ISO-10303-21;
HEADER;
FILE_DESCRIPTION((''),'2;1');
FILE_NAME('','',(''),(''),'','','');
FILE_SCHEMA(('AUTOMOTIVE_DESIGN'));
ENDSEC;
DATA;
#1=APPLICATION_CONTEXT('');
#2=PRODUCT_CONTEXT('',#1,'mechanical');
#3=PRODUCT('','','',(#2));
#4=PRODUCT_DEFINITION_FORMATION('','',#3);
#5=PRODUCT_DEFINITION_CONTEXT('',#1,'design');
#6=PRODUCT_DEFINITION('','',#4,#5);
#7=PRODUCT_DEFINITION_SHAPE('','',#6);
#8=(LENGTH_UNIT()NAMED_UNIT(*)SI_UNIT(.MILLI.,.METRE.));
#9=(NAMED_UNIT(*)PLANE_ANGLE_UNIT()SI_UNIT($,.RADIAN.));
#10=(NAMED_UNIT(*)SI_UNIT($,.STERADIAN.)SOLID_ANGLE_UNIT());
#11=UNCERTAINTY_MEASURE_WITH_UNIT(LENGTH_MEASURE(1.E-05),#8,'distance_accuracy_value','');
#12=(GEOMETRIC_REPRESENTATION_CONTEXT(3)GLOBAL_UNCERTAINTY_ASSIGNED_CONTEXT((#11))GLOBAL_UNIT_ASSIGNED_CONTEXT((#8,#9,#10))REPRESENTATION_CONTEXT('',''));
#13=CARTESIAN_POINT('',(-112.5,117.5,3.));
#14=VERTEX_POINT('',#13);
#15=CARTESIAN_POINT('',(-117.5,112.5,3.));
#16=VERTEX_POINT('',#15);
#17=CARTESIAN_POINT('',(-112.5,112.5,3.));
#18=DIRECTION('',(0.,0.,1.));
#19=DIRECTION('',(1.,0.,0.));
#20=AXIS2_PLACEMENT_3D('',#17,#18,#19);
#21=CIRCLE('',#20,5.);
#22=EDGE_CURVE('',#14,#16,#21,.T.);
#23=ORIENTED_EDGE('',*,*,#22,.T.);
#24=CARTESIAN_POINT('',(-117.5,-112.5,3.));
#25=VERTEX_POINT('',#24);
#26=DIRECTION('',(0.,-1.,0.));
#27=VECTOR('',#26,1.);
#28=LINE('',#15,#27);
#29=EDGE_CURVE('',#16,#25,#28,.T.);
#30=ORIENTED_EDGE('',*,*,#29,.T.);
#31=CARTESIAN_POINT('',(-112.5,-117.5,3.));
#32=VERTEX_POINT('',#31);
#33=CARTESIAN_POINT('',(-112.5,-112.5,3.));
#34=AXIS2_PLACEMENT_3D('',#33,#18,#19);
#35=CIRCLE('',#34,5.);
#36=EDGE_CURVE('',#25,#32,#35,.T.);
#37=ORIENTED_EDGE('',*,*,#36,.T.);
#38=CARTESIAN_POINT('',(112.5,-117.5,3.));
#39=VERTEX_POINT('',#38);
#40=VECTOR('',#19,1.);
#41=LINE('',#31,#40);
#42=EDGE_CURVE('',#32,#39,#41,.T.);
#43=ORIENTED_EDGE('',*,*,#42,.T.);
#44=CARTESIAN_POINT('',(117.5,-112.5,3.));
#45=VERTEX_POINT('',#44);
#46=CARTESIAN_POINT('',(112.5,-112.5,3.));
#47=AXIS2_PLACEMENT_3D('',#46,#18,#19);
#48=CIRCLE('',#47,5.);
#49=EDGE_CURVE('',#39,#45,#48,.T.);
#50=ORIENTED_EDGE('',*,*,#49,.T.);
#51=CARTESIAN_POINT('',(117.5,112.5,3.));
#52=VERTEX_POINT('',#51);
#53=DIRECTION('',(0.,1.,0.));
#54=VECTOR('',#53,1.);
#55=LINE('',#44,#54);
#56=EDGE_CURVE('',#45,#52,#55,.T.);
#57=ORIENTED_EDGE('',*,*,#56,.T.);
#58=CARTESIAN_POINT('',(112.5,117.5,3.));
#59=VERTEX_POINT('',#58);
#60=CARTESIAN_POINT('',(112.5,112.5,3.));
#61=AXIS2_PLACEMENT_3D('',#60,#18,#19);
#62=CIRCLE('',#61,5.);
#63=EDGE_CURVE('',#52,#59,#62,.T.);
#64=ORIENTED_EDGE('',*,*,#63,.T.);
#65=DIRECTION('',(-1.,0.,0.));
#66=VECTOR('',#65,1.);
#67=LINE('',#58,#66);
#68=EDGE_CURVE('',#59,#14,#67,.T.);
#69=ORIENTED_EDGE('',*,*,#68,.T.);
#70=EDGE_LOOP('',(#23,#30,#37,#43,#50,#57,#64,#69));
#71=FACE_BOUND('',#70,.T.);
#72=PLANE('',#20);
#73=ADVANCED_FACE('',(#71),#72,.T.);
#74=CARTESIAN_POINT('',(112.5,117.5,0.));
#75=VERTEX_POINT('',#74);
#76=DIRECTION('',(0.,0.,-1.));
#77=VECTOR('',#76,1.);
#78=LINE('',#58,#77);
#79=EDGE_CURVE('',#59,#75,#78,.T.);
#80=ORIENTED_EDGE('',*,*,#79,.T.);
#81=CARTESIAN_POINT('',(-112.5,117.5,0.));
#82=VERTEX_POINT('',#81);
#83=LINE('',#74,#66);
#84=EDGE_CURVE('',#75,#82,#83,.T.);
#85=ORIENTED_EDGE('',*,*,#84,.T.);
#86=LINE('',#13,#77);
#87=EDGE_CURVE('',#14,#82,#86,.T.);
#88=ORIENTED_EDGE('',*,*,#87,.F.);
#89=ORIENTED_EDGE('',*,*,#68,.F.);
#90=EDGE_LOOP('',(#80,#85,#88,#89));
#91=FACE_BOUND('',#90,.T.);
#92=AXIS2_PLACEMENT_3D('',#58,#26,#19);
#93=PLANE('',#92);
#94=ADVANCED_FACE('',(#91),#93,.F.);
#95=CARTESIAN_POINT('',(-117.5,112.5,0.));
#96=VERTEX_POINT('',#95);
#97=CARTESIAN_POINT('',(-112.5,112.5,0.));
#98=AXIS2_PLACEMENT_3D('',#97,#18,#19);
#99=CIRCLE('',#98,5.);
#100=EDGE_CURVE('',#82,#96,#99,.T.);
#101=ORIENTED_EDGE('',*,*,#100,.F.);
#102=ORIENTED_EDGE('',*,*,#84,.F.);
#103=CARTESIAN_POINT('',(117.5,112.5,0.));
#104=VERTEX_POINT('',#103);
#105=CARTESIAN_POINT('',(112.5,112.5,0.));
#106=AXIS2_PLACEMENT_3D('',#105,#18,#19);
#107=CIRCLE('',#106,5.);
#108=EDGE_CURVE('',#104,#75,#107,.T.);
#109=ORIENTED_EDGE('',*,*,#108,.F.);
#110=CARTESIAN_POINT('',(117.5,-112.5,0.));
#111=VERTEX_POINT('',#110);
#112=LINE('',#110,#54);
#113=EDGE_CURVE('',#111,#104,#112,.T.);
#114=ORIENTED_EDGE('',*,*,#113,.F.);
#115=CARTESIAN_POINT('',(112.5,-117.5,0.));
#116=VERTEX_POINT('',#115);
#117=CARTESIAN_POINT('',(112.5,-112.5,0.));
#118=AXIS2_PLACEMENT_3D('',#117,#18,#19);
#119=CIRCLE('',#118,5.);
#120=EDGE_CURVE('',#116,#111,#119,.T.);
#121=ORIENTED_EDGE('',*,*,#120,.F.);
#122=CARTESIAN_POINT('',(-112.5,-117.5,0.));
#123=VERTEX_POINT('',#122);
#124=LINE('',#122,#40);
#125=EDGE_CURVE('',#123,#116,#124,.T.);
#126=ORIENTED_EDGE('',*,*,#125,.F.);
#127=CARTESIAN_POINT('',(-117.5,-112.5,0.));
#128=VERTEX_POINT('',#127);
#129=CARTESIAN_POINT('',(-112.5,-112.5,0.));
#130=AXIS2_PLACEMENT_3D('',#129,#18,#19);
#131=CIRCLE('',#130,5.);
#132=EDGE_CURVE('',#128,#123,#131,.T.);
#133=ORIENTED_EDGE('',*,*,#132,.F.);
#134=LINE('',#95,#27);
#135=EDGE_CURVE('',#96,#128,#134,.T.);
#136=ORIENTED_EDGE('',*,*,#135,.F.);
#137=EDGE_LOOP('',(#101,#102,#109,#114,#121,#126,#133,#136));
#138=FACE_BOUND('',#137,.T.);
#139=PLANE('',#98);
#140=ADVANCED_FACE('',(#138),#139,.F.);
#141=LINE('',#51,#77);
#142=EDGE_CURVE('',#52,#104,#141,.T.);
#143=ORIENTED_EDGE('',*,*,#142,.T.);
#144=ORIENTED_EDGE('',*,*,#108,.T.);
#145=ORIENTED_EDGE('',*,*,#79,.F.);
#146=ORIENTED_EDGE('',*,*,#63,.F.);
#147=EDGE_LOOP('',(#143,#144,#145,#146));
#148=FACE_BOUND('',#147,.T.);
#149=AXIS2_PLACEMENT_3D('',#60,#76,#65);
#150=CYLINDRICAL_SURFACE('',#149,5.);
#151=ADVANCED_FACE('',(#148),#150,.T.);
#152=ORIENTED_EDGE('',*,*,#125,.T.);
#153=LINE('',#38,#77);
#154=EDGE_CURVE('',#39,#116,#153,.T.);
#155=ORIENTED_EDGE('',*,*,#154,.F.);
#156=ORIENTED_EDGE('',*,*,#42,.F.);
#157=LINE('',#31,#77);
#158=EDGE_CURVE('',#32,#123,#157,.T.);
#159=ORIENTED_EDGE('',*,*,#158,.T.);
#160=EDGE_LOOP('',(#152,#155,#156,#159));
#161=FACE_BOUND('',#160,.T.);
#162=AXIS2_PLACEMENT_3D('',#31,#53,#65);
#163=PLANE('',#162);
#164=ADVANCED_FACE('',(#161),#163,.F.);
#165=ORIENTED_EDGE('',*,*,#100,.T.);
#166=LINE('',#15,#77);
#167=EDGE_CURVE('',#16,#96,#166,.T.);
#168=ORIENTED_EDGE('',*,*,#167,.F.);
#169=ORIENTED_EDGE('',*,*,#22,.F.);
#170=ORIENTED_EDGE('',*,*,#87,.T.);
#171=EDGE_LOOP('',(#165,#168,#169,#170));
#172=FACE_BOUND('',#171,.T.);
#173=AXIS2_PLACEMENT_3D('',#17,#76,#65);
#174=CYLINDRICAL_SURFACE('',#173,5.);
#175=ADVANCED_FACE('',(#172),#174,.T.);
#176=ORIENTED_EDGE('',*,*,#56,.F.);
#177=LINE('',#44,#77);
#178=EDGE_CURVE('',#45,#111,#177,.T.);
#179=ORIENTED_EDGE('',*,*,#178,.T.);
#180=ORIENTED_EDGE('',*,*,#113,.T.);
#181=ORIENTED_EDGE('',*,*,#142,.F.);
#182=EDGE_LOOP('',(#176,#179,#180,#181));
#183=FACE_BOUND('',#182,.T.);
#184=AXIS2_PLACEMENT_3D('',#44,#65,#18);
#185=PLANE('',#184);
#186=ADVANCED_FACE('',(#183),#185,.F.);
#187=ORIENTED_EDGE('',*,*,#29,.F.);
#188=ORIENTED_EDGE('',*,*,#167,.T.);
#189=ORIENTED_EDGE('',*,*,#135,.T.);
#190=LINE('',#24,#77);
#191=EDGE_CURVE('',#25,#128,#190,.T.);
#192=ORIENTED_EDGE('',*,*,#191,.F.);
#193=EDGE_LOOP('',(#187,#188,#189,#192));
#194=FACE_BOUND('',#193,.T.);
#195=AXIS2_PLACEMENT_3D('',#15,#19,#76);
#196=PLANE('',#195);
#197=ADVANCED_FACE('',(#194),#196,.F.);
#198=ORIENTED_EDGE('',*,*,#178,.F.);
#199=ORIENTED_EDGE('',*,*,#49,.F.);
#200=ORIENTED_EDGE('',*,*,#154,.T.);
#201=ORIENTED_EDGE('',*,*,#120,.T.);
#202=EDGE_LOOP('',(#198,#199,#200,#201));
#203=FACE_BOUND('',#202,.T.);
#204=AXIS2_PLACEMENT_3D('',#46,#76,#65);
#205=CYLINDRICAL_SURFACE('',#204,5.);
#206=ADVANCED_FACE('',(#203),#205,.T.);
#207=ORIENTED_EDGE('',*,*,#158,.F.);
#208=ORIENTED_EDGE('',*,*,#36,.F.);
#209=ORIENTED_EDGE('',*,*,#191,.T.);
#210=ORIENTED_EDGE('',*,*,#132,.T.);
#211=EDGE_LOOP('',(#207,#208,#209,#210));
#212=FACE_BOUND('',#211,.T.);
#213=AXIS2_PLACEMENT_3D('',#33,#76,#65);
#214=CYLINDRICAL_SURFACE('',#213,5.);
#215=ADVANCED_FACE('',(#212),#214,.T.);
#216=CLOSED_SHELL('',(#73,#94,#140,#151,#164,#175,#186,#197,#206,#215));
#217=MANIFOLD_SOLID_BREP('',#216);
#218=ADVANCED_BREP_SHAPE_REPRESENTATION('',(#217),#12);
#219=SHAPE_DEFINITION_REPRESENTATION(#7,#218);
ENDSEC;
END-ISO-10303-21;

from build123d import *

# Parameters (mm, degrees)
BOSS_EXTRU_1_DEPTH = 3


with BuildPart() as part:
    # Esquisse1 → Boss.-Extru.1 (new body)
    with BuildSketch(Plane.XY):
        with BuildLine():
            Line((-117.5, 112.5), (-117.5, -112.5))
            ThreePointArc((-117.5, -112.5), (-116.035533906, -116.035533906), (-112.5, -117.5))
            Line((-112.5, -117.5), (112.5, -117.5))
            ThreePointArc((112.5, -117.5), (116.035533906, -116.035533906), (117.5, -112.5))
            Line((117.5, -112.5), (117.5, 112.5))
            ThreePointArc((117.5, 112.5), (116.035533906, 116.035533906), (112.5, 117.5))
            Line((112.5, 117.5), (-112.5, 117.5))
            ThreePointArc((-112.5, 117.5), (-116.035533906, 116.035533906), (-117.5, 112.5))
        make_face()
    extrude(amount=BOSS_EXTRU_1_DEPTH)


solid = part.part
